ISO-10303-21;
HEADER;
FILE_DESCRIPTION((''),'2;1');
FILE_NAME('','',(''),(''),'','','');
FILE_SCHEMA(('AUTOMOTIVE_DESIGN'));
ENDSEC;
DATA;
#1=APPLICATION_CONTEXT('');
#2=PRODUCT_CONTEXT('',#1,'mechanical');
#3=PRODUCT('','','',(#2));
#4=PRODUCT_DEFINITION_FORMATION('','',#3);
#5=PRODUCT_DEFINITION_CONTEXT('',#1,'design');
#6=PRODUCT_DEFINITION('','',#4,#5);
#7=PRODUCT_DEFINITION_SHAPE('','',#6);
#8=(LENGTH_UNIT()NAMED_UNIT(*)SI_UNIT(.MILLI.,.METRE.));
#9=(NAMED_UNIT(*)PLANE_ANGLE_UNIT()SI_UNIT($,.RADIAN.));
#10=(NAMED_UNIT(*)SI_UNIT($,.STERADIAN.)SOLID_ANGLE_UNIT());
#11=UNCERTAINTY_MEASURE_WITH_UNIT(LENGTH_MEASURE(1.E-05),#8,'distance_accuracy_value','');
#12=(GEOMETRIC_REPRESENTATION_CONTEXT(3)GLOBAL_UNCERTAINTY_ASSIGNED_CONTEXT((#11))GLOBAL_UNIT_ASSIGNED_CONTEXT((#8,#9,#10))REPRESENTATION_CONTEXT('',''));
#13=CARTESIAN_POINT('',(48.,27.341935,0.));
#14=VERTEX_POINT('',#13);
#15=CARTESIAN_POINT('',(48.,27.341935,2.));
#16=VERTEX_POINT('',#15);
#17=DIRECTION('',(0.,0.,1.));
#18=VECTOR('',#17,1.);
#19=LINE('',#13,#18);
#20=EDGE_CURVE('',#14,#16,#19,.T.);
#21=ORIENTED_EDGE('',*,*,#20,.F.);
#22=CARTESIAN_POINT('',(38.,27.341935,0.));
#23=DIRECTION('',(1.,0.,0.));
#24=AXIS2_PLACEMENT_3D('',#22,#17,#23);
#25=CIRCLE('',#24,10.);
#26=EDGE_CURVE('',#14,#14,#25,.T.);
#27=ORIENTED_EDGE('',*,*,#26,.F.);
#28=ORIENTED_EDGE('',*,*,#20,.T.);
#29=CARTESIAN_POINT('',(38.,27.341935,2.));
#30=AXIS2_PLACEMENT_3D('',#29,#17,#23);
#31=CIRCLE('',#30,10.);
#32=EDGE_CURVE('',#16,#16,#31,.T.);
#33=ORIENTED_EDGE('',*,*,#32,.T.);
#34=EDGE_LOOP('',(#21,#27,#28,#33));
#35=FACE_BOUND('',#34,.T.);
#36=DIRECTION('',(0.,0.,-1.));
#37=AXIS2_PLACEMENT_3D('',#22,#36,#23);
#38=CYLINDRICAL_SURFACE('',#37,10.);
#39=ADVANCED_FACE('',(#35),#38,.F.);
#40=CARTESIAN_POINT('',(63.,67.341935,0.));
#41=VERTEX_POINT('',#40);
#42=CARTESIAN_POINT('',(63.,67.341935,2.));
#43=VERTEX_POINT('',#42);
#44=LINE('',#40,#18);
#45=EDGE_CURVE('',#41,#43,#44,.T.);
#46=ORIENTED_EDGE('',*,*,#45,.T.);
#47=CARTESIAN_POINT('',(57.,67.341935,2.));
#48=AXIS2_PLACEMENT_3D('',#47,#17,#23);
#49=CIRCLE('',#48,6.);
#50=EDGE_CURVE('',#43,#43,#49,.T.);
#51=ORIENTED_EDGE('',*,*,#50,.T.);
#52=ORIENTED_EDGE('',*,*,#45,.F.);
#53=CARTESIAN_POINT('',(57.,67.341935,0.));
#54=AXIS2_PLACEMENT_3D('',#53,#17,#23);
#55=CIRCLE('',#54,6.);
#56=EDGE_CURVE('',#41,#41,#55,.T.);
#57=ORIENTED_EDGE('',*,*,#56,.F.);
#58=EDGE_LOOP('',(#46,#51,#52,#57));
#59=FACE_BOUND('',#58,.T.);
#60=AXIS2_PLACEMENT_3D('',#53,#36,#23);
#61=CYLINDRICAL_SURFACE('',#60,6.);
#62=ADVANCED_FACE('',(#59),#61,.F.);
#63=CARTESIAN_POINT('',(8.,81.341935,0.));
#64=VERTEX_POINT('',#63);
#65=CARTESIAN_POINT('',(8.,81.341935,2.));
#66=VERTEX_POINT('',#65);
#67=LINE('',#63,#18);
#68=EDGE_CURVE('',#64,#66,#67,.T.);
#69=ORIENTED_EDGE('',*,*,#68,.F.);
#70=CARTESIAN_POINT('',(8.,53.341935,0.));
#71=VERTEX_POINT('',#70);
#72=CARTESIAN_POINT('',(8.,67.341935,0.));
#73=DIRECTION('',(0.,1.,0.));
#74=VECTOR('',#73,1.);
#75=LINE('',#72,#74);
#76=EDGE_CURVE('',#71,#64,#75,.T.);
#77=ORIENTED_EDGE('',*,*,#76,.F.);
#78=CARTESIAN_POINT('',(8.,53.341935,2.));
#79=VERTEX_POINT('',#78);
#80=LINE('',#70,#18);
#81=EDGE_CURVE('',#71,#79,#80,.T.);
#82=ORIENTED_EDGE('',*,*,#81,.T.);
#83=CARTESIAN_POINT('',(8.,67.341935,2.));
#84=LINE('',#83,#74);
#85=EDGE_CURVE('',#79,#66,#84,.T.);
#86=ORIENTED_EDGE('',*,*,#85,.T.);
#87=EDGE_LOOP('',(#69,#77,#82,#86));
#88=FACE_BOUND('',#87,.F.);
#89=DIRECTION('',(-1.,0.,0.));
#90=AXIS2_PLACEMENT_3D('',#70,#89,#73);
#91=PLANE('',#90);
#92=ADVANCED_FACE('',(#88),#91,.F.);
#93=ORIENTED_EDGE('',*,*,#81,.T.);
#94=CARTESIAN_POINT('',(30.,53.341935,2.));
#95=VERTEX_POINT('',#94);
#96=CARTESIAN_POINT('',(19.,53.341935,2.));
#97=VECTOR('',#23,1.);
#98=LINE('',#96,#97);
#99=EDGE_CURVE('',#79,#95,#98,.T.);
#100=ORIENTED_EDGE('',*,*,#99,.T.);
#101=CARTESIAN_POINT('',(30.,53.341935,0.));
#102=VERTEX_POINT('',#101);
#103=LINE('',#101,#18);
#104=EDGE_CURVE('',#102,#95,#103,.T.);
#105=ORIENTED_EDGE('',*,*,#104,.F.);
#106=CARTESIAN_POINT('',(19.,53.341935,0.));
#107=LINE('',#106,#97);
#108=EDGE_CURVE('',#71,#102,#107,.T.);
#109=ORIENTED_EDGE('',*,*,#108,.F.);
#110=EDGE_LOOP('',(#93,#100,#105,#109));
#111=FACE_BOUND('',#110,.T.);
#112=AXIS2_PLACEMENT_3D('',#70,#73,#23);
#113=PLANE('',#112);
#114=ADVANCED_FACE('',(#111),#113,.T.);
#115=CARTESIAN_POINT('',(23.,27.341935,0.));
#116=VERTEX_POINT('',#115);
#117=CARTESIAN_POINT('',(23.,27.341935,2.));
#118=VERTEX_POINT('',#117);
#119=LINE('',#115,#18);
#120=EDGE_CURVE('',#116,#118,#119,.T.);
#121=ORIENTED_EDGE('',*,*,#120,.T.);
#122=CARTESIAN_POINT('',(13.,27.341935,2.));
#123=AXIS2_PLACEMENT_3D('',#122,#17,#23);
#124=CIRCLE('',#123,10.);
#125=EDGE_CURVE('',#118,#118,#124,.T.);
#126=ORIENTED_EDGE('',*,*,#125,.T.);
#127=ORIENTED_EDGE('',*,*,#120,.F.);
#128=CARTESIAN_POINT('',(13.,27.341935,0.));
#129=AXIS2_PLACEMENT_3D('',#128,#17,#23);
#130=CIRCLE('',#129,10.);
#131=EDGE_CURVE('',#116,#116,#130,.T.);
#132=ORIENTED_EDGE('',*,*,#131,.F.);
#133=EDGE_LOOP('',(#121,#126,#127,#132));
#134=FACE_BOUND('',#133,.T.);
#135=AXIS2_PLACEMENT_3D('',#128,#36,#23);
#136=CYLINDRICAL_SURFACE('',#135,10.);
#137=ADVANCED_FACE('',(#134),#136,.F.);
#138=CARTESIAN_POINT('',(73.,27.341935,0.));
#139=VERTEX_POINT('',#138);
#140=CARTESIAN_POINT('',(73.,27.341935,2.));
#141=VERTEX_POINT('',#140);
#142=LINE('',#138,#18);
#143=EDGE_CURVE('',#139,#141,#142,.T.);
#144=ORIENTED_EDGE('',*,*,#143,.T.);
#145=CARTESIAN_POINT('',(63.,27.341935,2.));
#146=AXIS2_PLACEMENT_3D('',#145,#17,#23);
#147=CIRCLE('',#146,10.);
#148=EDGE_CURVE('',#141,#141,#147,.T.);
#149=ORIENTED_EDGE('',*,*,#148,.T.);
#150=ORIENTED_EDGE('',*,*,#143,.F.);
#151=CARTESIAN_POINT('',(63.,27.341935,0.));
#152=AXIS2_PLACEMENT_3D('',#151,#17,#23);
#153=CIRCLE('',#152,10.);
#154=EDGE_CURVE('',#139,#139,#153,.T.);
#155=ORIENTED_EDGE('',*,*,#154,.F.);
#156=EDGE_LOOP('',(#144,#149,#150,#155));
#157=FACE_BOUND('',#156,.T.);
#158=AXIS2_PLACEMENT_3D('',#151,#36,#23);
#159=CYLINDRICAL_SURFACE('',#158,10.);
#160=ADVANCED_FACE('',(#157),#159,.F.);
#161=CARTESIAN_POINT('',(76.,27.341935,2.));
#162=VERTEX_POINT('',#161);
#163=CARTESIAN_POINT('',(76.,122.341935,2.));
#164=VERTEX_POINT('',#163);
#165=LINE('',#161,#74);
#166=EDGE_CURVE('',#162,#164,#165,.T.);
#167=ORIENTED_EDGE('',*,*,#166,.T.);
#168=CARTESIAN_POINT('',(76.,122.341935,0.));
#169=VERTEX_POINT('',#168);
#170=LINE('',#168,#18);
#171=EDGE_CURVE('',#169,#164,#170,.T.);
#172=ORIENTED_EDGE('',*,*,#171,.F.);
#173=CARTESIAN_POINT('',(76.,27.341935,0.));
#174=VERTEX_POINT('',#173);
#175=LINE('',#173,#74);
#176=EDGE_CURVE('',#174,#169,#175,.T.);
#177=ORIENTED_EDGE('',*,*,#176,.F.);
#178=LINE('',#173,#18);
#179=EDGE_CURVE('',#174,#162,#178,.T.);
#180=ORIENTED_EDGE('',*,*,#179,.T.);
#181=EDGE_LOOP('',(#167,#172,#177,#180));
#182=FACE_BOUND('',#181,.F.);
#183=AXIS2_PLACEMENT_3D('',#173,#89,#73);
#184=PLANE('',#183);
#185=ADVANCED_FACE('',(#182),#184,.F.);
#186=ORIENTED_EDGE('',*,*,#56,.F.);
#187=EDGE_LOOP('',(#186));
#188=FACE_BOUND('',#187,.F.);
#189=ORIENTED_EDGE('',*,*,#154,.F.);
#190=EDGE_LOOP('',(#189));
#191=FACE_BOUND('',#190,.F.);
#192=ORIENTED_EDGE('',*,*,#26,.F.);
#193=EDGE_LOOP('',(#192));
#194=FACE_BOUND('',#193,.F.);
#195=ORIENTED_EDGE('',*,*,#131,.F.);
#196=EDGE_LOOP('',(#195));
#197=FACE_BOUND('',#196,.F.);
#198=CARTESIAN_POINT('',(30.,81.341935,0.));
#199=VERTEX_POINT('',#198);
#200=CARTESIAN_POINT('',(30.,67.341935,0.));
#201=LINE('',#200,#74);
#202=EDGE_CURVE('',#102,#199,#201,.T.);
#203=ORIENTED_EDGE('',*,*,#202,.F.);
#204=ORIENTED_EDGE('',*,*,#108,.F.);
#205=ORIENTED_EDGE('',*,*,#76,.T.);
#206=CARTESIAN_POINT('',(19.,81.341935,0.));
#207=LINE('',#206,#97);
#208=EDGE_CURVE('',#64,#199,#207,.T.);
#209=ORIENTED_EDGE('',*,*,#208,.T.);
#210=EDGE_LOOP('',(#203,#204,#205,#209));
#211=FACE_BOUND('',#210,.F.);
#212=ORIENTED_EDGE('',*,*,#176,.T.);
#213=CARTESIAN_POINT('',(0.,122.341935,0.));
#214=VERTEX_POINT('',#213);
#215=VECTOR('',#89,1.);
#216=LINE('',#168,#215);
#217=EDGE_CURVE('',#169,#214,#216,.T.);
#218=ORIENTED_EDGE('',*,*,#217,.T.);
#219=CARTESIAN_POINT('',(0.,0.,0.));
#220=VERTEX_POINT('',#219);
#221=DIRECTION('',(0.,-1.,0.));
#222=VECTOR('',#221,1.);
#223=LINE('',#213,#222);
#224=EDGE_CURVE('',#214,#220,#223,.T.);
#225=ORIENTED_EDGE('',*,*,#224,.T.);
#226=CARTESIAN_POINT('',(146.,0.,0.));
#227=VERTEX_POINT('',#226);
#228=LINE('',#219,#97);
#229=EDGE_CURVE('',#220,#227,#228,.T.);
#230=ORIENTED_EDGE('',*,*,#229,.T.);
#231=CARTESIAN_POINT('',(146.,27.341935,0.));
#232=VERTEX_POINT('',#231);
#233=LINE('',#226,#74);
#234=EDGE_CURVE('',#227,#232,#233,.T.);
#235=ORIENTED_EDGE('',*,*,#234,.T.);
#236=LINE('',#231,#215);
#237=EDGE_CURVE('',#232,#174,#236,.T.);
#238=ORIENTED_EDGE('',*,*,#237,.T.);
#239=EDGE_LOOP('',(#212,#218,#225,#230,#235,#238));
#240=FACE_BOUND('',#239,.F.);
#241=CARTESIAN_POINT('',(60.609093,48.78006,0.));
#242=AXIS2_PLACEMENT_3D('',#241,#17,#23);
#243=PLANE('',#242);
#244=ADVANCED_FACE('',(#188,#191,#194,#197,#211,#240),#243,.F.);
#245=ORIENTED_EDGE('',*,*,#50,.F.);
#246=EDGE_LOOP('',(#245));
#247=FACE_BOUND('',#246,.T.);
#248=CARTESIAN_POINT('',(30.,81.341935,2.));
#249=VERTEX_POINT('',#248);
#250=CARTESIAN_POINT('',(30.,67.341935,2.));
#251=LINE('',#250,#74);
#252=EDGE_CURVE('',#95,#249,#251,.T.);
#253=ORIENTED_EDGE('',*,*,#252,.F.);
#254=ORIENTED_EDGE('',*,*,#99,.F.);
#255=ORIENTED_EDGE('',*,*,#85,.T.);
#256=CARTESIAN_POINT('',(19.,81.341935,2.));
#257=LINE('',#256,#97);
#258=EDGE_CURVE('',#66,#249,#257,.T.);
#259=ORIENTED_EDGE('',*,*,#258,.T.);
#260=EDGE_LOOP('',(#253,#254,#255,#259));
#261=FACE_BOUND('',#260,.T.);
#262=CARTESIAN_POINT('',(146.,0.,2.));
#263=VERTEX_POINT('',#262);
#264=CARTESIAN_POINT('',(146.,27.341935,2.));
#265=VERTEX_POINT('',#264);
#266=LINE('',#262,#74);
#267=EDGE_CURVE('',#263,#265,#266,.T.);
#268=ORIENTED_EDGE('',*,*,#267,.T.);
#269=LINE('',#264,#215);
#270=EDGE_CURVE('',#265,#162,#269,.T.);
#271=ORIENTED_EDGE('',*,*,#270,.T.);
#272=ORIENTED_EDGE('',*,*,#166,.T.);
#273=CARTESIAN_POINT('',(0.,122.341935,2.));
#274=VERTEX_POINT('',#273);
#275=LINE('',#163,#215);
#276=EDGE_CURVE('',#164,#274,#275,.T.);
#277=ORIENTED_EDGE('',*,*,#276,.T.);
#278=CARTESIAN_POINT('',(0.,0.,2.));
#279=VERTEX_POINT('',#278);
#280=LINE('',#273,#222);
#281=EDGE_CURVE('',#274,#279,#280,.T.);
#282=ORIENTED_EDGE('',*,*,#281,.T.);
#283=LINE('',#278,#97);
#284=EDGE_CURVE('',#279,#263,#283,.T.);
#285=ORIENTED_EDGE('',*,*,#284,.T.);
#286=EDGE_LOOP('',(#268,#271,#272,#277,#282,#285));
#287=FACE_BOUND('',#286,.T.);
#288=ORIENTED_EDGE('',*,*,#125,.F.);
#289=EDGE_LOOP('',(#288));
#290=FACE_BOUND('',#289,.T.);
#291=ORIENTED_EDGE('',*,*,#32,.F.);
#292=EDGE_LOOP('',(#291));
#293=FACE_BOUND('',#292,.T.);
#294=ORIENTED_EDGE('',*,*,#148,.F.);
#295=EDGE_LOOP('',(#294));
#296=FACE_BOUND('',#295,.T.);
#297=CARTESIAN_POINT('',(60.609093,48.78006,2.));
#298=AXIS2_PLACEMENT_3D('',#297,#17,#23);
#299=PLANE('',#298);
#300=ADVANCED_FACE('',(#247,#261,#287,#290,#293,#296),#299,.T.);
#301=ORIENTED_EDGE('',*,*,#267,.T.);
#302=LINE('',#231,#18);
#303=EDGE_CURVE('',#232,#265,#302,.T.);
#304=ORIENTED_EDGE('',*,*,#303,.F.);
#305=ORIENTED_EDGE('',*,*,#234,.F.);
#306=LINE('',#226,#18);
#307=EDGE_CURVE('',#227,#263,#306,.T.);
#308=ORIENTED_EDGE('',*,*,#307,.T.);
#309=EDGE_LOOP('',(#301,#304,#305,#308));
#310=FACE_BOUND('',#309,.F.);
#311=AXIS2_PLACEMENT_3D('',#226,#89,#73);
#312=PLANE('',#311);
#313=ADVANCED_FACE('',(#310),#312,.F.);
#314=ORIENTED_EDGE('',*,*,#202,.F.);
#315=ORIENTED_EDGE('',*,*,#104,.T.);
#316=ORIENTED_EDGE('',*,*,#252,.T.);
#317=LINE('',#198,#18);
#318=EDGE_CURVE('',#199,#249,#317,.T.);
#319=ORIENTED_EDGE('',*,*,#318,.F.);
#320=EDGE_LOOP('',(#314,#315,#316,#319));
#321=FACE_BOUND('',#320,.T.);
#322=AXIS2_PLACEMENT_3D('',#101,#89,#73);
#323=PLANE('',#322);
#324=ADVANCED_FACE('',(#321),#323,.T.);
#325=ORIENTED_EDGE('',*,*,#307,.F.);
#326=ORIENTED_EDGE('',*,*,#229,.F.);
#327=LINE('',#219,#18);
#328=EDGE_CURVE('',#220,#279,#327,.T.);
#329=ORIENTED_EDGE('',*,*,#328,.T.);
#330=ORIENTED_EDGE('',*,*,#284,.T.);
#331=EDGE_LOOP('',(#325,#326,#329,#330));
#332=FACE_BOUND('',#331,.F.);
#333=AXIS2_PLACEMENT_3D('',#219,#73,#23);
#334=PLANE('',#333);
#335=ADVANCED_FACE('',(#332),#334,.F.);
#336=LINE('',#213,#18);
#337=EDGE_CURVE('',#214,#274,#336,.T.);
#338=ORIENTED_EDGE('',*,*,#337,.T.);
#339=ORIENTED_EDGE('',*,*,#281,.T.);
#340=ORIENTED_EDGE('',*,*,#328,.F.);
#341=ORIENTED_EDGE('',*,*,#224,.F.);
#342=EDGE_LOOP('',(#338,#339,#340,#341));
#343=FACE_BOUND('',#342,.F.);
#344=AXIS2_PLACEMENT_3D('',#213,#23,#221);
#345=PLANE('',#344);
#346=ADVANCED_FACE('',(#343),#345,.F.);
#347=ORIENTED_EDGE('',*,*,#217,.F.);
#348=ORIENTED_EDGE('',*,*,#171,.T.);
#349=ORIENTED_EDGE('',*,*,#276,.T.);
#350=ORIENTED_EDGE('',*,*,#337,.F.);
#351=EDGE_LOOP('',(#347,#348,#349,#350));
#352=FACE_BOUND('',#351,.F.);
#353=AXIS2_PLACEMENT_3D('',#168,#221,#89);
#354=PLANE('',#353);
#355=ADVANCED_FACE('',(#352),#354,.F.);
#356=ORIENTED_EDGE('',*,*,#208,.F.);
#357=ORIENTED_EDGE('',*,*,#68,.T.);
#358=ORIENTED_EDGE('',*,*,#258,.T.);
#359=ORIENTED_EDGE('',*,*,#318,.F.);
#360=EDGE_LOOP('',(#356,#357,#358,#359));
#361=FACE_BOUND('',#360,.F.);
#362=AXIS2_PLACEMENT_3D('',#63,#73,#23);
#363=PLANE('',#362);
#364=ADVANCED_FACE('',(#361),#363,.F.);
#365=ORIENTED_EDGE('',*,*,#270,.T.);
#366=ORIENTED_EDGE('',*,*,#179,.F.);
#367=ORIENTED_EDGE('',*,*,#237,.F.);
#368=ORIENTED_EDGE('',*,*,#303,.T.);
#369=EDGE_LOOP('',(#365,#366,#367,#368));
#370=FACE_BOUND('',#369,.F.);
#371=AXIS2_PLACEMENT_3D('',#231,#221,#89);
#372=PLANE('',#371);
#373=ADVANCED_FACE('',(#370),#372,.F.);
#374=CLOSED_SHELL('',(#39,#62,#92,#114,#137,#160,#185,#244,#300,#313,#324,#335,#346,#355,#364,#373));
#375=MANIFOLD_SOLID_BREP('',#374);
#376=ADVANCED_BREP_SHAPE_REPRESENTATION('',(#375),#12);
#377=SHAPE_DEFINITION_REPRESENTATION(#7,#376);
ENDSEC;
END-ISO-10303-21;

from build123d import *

# Parameters (mm, degrees)
F0_R     = 10
F0_W     = 22
F0_H     = 28
F0_R_2   = 6
F1_DEPTH = 2


with BuildPart() as f1:
    # F0 (on Top) → F1 (new body)
    with BuildSketch(Plane.XY):
        Polygon((0, 0), (146, 0), (146, 27.341935), (76, 27.341935), (76, 122.341935), (38, 122.341935), (0, 122.341935), align=None)
        with Locations((13, 27.341935)):
            Circle(F0_R, mode=Mode.SUBTRACT)
        with Locations((38, 27.341935)):
            Circle(F0_R, mode=Mode.SUBTRACT)
        with Locations((63, 27.341935)):
            Circle(F0_R, mode=Mode.SUBTRACT)
        with Locations((19, 67.341935)):
            Rectangle(F0_W, F0_H, mode=Mode.SUBTRACT)
        with Locations((57, 67.341935)):
            Circle(F0_R_2, mode=Mode.SUBTRACT)
    extrude(amount=F1_DEPTH)


solid = f1.part
